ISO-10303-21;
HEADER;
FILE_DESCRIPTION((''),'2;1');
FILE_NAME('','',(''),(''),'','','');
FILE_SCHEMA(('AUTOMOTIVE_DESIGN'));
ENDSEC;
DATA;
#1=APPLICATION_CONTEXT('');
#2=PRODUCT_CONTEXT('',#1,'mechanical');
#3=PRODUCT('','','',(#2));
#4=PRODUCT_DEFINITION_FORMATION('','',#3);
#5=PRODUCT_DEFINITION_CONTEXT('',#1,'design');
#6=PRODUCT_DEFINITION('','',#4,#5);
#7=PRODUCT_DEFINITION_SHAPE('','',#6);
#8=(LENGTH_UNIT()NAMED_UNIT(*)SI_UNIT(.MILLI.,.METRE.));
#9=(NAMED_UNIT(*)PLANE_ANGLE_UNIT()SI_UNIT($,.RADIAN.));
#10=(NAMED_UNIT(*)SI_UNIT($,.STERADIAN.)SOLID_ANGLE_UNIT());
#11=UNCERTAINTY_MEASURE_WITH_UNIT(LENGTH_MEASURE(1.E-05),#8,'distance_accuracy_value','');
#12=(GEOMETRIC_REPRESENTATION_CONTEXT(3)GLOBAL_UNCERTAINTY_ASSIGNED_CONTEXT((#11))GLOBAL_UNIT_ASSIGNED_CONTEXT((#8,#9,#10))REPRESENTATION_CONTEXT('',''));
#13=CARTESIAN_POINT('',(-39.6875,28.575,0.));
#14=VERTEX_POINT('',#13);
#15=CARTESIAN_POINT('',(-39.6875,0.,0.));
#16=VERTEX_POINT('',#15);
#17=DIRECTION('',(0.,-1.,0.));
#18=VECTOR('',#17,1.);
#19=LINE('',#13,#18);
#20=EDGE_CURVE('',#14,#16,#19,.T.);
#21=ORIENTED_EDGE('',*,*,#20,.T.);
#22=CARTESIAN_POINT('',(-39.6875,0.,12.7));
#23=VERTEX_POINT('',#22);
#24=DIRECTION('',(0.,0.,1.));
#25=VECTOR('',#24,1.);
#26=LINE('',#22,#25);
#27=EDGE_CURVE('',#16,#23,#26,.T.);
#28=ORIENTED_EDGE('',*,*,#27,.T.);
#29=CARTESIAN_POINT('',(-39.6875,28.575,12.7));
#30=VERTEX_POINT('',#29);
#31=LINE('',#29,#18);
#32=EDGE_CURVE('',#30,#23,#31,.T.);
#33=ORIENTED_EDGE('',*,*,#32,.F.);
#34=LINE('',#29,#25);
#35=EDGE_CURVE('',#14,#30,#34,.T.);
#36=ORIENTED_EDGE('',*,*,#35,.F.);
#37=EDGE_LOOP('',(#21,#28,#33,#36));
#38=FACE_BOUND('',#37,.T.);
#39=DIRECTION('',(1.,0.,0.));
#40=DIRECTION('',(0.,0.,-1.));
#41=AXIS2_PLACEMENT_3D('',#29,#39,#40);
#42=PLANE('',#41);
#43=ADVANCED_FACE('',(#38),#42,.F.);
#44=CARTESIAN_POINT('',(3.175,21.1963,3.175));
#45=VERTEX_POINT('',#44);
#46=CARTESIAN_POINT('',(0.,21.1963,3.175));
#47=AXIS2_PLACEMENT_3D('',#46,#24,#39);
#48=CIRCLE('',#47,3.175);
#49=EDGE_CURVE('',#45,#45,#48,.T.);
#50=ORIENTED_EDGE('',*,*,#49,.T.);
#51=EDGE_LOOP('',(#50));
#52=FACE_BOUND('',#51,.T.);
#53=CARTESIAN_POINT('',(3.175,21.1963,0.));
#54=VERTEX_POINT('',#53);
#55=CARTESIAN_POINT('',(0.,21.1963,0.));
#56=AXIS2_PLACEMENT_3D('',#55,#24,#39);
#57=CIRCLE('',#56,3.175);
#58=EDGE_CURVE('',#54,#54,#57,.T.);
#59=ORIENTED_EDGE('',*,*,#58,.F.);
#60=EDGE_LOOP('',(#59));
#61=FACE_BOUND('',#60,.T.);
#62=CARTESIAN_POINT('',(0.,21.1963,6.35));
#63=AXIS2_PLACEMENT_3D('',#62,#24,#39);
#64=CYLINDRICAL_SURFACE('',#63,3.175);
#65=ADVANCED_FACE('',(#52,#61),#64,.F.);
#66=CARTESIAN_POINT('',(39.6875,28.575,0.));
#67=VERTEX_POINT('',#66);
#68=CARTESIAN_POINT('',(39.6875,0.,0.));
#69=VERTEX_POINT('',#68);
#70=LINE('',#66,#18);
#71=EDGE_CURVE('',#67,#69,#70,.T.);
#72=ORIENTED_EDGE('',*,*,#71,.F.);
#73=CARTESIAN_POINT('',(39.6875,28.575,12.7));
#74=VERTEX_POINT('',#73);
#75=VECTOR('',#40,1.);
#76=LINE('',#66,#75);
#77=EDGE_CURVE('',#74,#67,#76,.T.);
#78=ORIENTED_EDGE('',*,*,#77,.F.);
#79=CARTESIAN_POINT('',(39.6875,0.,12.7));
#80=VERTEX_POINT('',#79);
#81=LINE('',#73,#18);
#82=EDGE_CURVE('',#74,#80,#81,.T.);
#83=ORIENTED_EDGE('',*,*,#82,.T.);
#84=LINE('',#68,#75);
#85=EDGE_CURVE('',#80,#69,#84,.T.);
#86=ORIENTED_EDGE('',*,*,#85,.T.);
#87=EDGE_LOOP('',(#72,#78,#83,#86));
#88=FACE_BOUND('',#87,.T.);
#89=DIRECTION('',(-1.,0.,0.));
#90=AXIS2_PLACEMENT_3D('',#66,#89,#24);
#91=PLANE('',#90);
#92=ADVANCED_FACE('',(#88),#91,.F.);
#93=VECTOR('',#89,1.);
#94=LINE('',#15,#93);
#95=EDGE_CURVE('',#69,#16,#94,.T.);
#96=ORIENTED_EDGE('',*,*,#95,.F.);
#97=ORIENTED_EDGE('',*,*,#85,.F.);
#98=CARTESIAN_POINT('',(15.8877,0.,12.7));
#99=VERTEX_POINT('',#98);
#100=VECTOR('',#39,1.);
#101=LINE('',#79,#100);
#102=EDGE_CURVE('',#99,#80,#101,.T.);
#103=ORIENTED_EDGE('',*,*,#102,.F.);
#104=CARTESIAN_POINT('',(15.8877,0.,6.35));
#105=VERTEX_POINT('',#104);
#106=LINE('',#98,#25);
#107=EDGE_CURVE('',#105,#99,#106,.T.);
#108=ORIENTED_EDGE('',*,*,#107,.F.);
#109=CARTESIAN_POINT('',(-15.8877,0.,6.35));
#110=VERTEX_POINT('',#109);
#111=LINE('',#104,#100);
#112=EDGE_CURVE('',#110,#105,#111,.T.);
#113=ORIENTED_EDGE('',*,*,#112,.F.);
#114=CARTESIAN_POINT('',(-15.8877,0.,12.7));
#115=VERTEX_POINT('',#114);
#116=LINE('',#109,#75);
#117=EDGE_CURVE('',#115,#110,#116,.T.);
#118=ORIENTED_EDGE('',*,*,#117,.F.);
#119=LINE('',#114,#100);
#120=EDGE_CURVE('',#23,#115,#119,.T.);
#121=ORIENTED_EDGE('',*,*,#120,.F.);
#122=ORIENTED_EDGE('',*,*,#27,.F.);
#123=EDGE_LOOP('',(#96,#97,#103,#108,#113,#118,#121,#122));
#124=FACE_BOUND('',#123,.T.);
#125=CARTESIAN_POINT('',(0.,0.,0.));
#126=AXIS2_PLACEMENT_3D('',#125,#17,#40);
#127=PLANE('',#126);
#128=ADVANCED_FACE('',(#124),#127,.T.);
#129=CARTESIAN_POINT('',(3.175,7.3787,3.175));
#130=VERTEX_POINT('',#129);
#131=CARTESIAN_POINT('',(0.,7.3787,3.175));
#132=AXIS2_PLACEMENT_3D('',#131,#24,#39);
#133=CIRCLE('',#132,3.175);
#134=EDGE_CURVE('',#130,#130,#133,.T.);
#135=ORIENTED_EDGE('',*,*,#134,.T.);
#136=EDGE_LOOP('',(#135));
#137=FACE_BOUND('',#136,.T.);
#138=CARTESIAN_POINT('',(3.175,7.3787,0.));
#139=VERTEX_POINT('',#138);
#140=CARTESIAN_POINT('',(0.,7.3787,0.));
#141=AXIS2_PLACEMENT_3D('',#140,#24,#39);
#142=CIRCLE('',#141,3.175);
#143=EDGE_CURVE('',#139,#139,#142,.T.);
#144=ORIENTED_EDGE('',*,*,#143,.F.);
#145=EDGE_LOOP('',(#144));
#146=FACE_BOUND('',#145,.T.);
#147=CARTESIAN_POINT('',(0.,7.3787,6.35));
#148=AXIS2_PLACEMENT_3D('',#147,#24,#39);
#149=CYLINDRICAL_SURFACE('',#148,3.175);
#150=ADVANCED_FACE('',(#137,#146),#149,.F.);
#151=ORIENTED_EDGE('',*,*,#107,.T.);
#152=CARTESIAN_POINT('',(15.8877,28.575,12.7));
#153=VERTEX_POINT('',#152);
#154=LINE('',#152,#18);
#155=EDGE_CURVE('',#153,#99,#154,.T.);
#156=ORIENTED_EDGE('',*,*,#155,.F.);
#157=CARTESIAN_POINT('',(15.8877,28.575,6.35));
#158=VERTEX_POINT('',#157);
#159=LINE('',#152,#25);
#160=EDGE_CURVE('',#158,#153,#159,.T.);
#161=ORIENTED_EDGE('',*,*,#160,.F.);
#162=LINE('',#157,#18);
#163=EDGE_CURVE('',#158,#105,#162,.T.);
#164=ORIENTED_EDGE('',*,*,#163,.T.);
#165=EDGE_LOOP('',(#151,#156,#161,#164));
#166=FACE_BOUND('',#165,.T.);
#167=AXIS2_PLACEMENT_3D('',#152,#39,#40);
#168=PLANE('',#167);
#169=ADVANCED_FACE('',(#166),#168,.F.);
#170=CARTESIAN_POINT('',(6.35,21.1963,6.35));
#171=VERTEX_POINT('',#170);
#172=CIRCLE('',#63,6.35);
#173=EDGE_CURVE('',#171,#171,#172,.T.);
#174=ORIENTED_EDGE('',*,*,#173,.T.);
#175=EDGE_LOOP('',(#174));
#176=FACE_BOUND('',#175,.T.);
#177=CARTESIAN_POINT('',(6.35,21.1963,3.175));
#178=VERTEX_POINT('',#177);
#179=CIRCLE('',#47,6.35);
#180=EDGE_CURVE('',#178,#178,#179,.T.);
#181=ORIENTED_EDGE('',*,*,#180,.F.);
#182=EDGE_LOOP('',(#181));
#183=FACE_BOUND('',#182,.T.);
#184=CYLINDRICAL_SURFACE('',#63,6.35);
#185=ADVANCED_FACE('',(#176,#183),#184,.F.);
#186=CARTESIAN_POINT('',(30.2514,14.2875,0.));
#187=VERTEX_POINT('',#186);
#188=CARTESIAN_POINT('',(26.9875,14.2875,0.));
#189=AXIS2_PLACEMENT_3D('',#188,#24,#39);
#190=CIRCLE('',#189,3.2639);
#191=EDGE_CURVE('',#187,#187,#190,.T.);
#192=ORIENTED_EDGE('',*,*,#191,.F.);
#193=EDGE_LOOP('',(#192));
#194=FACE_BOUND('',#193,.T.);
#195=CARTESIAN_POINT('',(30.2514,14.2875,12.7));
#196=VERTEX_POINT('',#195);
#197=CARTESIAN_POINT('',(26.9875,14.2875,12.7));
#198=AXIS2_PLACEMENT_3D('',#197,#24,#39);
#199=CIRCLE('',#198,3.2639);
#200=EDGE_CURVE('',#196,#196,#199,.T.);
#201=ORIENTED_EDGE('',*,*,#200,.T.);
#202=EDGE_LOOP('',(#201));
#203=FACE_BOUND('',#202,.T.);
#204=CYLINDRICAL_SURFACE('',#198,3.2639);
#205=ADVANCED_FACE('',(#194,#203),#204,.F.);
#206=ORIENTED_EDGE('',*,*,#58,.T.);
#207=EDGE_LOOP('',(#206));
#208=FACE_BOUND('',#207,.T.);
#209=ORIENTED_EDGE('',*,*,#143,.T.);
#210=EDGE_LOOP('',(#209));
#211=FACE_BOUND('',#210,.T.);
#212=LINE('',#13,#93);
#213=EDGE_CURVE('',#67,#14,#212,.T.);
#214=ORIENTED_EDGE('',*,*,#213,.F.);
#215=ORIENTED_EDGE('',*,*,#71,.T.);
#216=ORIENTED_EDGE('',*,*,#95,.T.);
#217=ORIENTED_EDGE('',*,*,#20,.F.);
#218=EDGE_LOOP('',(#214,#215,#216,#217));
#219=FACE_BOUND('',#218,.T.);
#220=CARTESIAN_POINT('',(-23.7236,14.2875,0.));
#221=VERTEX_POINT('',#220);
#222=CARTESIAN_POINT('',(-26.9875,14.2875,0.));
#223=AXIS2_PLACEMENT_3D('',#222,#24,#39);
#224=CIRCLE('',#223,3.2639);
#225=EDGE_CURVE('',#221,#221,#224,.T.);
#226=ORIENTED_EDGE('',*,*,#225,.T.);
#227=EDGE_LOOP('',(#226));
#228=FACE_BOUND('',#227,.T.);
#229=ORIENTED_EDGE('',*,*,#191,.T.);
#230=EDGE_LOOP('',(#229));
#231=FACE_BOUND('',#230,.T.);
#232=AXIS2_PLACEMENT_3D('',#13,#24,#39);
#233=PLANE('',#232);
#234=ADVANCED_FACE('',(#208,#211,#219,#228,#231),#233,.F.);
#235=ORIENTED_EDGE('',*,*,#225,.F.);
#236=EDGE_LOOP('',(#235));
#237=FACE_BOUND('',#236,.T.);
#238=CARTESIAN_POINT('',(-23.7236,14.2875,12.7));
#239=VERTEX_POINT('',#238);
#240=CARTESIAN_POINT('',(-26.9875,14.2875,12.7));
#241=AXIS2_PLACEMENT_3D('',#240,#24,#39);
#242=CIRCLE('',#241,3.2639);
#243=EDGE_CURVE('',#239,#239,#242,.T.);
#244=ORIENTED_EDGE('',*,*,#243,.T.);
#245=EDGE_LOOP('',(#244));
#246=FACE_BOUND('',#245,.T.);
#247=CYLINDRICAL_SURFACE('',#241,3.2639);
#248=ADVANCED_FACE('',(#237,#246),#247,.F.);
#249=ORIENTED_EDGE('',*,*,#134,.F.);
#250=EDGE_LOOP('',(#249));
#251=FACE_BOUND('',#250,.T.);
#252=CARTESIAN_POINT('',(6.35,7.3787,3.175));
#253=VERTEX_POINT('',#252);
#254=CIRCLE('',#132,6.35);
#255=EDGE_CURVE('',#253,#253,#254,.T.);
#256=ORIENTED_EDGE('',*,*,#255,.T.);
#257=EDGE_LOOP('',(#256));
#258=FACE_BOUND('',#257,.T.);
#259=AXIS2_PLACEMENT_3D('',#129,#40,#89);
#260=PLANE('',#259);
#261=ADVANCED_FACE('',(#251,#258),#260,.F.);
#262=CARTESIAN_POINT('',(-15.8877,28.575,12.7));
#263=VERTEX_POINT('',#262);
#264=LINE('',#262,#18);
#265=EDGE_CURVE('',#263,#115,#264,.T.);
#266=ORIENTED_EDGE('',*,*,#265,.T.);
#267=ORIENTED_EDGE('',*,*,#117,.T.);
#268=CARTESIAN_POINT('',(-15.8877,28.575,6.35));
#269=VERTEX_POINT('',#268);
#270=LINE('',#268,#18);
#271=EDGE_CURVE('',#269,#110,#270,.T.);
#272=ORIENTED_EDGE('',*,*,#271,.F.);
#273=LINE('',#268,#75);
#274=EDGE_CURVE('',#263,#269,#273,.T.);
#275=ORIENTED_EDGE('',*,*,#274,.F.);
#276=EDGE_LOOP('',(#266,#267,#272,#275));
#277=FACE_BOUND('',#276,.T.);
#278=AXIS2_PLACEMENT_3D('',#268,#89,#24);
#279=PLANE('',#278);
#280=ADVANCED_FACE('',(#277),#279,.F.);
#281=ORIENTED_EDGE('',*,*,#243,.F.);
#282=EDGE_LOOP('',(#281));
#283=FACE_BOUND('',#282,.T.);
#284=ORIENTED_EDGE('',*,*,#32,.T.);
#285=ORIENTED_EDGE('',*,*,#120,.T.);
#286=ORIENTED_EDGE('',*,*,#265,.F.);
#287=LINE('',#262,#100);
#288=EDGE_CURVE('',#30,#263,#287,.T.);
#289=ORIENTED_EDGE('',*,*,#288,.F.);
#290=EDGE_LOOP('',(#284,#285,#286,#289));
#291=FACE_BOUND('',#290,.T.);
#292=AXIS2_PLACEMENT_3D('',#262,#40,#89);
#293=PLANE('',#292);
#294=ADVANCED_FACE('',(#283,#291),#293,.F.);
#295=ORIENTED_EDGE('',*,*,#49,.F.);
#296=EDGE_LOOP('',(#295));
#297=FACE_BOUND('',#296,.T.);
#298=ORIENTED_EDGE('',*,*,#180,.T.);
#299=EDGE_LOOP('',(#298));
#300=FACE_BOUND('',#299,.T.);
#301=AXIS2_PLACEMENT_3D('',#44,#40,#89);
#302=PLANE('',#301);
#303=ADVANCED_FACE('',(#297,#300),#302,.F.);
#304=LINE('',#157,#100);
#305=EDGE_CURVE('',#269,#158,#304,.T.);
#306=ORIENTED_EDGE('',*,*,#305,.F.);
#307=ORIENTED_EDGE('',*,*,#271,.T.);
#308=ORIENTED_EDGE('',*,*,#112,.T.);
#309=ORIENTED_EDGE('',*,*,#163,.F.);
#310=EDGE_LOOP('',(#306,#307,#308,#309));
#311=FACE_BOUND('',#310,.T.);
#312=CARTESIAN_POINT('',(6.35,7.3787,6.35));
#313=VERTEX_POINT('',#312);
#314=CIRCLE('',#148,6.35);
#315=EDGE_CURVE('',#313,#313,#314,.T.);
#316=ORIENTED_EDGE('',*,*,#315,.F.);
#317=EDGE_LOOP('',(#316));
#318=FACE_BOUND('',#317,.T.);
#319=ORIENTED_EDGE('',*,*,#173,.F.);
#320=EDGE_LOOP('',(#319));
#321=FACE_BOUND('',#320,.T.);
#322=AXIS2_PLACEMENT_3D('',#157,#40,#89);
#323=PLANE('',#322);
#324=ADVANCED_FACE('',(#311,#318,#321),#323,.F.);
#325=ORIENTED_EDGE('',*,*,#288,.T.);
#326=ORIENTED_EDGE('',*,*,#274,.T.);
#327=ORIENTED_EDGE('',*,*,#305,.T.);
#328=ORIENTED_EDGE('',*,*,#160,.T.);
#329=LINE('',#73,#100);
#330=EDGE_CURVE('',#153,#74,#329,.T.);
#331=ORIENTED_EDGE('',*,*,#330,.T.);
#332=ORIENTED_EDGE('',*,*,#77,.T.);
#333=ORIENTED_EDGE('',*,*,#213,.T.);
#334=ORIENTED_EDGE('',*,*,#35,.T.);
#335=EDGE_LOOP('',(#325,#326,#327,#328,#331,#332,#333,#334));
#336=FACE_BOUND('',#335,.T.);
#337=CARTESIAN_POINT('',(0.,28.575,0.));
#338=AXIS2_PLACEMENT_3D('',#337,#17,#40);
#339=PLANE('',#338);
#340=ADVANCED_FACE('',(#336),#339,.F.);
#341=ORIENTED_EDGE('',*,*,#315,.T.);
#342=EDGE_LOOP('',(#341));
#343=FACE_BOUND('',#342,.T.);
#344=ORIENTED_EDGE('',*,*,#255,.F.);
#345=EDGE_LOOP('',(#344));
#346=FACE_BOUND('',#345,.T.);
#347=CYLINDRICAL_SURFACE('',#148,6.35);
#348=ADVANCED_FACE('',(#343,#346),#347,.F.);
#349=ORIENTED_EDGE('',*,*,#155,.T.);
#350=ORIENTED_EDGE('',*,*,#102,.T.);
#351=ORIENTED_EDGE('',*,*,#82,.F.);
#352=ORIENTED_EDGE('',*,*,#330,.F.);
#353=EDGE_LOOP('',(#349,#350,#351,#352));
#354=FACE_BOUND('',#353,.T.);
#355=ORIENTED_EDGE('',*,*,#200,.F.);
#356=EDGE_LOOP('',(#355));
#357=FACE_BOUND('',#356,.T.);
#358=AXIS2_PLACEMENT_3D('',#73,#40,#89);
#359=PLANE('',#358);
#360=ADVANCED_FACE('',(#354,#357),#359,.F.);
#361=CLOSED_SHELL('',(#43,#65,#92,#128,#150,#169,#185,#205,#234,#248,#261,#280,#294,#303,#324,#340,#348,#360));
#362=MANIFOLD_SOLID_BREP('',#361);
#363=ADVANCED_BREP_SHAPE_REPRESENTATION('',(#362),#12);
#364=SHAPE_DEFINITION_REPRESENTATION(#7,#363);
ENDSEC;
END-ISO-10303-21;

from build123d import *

# Parameters (mm, degrees)
BOSS_EXTRUDE1_DEPTH      = 28.575
HOLE1_D                  = 6.35
HOLE1_DEPTH              = 6.35
HOLE1_CBORE_D            = 12.7
HOLE1_CBORE_DEPTH        = 3.175
HOLE1_TIP                = 1.907732465
F_5_16_18_TAPPED_HOLE1_D = 6.5278


with BuildPart() as part:
    # Sketch1 → Boss-Extrude1 (new body)
    with BuildSketch(Plane(origin=(0, 0, 0), x_dir=(1, 0, 0), z_dir=(0, 1, 0))):
        Polygon((-39.6875, 0), (39.6875, 0), (39.6875, -12.7), (15.8877, -12.7), (15.8877, -6.35), (-15.8877, -6.35), (-15.8877, -12.7), (-39.6875, -12.7), align=None)
    extrude(amount=BOSS_EXTRUDE1_DEPTH)

    # Hole1
    with Locations(Plane(origin=(0, 0, 6.35), x_dir=(-1, 0, 0), z_dir=(0, 0, 1))):
        with Locations((0, -7.3787), (0, -21.1963)):
            CounterBoreHole(HOLE1_D / 2, HOLE1_CBORE_D / 2, HOLE1_CBORE_DEPTH, depth=HOLE1_DEPTH)
            with Locations((0, 0, -(HOLE1_DEPTH + HOLE1_TIP / 2))):  # 118° drill point
                Cone(0, HOLE1_D / 2, HOLE1_TIP, mode=Mode.SUBTRACT)

    # 5/16-18 Tapped Hole1 (through all)
    with Locations(Plane.XY.offset(12.7)):
        with Locations((-26.9875, 14.2875), (26.9875, 14.2875)):
            Hole(F_5_16_18_TAPPED_HOLE1_D / 2)


solid = part.part
